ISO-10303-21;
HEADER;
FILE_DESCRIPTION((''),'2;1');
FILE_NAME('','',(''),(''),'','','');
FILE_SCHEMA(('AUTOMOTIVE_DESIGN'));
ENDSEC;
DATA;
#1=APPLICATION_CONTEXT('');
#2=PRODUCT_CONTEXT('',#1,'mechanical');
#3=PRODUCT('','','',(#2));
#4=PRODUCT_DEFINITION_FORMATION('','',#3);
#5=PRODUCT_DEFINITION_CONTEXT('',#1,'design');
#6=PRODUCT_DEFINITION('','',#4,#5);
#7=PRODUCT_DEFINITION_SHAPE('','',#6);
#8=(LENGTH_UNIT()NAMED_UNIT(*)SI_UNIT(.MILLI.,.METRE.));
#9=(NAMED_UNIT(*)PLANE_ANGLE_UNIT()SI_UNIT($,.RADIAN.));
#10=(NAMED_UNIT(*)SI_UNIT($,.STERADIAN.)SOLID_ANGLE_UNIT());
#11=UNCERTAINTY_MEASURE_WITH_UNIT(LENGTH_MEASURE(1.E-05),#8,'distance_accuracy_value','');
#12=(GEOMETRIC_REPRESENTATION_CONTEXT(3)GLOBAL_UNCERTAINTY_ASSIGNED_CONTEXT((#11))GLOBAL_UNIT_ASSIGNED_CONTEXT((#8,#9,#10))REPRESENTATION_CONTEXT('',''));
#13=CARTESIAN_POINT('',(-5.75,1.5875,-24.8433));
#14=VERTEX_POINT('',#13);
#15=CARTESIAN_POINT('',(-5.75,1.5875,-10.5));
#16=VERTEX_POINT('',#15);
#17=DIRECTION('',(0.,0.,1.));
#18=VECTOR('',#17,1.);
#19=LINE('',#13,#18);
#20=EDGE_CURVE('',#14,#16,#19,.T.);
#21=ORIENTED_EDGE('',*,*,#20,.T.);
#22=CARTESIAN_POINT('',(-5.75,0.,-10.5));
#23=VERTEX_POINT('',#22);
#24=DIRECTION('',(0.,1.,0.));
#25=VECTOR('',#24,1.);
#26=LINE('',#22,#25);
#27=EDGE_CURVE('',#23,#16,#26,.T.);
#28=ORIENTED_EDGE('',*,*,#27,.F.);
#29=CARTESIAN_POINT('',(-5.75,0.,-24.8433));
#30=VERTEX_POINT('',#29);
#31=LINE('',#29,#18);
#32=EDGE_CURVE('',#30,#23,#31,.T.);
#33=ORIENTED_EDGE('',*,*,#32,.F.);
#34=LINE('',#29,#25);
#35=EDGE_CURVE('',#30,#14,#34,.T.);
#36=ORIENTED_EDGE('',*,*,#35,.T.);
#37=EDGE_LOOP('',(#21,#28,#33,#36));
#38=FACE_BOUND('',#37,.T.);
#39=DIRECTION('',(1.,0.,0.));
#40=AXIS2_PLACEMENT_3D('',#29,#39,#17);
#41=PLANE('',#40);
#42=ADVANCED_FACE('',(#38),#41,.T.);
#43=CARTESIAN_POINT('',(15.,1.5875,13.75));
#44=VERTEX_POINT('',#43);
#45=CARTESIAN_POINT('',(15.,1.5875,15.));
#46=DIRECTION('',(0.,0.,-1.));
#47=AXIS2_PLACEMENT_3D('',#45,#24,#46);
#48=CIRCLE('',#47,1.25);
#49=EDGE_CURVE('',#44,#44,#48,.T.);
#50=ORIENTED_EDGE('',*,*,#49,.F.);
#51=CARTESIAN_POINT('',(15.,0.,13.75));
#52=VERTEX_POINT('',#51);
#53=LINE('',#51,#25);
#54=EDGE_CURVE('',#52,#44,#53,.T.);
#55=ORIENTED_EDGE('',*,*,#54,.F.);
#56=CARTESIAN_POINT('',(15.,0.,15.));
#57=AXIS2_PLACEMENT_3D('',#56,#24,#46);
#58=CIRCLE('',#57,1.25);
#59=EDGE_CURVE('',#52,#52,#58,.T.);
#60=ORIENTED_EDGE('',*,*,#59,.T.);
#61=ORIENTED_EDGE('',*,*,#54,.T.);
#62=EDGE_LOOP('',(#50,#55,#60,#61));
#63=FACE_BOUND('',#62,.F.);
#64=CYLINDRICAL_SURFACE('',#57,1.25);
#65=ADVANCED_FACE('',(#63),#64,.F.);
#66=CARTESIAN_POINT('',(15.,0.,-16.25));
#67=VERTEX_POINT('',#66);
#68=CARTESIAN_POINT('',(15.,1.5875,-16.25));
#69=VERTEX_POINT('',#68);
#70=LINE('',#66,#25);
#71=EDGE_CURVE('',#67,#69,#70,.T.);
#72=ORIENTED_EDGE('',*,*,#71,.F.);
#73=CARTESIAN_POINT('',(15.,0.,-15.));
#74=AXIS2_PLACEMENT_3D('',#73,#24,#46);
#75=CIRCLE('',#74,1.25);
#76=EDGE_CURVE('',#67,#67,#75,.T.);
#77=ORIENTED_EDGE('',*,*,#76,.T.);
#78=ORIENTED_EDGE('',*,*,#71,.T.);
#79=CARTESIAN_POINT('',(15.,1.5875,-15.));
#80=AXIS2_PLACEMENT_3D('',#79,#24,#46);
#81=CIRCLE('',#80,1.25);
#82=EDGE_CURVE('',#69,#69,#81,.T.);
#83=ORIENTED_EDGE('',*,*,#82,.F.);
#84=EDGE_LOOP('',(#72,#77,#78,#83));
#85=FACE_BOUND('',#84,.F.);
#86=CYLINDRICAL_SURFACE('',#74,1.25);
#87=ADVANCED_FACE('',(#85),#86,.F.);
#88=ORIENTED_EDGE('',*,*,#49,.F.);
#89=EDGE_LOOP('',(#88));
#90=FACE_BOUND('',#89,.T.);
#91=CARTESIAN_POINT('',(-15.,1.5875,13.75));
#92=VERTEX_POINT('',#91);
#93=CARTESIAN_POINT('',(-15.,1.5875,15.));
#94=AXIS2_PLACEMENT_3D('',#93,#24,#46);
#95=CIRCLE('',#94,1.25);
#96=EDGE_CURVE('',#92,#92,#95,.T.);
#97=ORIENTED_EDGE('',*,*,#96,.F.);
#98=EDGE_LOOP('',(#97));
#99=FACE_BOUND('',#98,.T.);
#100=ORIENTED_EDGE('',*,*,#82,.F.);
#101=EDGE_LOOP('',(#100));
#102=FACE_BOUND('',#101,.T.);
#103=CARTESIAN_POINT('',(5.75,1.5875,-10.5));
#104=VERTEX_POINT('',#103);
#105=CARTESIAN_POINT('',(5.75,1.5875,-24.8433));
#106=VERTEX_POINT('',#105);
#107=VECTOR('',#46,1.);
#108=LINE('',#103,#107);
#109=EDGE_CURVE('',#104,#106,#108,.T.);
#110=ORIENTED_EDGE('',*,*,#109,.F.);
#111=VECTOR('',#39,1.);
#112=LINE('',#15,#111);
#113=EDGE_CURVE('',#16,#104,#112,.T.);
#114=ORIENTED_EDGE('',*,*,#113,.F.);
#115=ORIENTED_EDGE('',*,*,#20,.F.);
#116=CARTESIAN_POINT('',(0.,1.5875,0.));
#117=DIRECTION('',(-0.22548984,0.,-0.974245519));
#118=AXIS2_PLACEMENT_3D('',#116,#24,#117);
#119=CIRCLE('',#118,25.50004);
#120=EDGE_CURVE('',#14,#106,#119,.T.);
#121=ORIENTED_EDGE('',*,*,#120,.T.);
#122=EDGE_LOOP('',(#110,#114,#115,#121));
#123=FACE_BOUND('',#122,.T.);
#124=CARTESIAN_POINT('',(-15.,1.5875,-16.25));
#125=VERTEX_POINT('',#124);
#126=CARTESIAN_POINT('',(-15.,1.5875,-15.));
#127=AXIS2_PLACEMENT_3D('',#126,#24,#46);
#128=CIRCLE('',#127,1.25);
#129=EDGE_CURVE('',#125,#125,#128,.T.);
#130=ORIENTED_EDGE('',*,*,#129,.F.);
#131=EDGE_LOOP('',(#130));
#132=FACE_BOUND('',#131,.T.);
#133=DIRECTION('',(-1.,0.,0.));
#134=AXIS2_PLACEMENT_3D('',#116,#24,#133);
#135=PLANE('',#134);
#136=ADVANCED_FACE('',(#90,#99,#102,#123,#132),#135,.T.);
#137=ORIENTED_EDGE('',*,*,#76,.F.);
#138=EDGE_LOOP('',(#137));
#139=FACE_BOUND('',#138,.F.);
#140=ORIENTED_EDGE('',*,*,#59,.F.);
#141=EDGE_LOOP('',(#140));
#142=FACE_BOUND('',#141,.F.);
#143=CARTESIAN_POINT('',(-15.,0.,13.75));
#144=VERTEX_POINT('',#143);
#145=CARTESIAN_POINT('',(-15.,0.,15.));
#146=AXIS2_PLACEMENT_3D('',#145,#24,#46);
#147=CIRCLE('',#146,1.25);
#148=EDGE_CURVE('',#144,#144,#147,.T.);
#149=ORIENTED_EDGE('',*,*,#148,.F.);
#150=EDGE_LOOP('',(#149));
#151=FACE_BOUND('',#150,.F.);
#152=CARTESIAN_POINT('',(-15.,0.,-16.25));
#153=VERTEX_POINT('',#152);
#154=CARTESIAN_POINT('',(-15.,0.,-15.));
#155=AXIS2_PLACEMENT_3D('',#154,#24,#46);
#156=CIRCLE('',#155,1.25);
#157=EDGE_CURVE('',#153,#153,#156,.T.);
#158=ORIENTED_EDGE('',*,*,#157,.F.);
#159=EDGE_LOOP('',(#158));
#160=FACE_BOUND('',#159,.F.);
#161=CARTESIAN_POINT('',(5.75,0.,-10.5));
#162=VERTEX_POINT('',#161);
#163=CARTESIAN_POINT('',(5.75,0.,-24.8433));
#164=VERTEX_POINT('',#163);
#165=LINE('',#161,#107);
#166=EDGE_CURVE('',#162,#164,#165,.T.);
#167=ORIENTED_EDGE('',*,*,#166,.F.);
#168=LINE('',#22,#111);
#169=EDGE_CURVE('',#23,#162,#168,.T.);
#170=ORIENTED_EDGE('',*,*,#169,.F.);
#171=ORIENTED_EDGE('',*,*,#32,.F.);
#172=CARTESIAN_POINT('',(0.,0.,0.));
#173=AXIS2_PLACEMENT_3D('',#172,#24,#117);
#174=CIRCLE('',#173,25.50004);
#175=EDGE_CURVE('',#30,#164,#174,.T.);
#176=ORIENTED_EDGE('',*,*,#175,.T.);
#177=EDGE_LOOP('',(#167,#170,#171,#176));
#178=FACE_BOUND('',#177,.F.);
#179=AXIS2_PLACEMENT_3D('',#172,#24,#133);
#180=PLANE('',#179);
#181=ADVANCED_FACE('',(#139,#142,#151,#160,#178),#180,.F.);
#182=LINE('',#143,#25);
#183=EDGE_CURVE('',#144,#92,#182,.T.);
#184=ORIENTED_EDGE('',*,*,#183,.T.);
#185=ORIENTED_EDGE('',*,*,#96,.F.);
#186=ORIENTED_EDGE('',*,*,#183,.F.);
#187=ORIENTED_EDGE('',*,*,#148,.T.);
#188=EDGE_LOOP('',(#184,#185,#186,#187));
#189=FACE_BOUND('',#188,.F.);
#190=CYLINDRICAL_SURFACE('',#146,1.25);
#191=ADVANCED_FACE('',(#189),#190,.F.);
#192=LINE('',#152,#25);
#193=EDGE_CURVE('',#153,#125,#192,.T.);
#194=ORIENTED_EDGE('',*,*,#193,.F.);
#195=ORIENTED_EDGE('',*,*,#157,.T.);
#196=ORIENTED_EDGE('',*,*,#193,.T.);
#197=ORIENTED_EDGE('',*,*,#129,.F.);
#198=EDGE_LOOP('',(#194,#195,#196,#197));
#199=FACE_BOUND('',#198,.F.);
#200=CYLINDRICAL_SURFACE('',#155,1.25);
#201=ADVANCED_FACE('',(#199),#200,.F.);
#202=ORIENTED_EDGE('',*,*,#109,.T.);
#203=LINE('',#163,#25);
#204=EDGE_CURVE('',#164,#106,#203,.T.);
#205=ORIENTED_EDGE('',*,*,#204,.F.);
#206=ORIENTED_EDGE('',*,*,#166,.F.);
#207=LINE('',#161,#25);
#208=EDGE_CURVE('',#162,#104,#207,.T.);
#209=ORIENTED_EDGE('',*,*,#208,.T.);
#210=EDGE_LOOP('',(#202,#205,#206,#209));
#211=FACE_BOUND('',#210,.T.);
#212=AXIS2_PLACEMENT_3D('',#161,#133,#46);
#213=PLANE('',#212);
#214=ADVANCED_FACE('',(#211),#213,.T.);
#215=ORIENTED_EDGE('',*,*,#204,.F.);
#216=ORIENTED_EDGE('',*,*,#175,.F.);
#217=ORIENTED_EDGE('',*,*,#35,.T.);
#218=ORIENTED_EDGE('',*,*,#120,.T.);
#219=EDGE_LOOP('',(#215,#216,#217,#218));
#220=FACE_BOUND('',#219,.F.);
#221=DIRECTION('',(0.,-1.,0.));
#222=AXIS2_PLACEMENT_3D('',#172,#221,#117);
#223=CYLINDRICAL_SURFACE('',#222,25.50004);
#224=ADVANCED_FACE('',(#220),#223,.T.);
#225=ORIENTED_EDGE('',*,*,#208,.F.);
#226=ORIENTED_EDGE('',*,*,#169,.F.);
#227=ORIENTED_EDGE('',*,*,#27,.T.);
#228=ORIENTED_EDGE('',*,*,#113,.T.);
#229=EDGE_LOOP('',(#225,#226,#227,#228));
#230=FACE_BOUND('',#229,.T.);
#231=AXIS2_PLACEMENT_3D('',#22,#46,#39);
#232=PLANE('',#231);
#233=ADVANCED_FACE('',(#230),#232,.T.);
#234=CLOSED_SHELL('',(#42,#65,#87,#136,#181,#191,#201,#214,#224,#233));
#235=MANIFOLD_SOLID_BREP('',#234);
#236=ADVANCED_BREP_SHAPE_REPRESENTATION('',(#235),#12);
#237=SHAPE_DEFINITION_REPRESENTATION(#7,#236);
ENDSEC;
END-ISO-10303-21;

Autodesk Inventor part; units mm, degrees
ref_plane "YZ Plane" through (0, 0, 0) normal (1, 0, 0) x (0, 1, 0)
ref_plane "XZ Plane" through (0, 0, 0) normal (0, 1, 0) x (-1, 0, 0)
ref_plane "XY Plane" through (0, 0, 0) normal (0, 0, 1) x (1, 0, 0)
sketch "Sketch2" plane through (0, 0, 0) normal (0, 1, 0) x (-1, 0, 0)
  arc A0 (5.75, -24.8433) -> (-5.75, -24.8433) centre (0, 0) ccw
  line L0 (-5.75, -24.8433) -> (5.75, -24.8433)
  line L1 (5.75, -24.8433) -> (5.75, -10.5)
  line L2 (5.75, -10.5) -> (-5.75, -10.5)
  line L3 (-5.75, -10.5) -> (-5.75, -24.8433)
  line L4 (-15, 15) -> (15, 15) construction
  line L5 (15, 15) -> (15, -15) construction
  line L6 (15, -15) -> (-15, -15) construction
  line L7 (-15, -15) -> (-15, 15) construction
  line L8 (-15, 15) -> (15, -15) construction
  line L9 (15, 15) -> (-15, -15) construction
  dimension "d1" = 51
  dimension "d2" = 10.5
  dimension "d3" = 11.5
  dimension "d4" = 30
  dimension "d5" = 30
extrude "Extrusion1" add sketch "Sketch2" along normal blind 1.5875 contours L1 L2 L3 A0
hole "Hole1" at (15, 0, -15) at (-15, 0, -15) at (-15, 0, 15) at (15, 0, 15) direction (0, 1, 0) diameter 2.5 end through all
properties part number "LiDAR_mount_spacer_Rev.1" material "Aluminum 6061"
